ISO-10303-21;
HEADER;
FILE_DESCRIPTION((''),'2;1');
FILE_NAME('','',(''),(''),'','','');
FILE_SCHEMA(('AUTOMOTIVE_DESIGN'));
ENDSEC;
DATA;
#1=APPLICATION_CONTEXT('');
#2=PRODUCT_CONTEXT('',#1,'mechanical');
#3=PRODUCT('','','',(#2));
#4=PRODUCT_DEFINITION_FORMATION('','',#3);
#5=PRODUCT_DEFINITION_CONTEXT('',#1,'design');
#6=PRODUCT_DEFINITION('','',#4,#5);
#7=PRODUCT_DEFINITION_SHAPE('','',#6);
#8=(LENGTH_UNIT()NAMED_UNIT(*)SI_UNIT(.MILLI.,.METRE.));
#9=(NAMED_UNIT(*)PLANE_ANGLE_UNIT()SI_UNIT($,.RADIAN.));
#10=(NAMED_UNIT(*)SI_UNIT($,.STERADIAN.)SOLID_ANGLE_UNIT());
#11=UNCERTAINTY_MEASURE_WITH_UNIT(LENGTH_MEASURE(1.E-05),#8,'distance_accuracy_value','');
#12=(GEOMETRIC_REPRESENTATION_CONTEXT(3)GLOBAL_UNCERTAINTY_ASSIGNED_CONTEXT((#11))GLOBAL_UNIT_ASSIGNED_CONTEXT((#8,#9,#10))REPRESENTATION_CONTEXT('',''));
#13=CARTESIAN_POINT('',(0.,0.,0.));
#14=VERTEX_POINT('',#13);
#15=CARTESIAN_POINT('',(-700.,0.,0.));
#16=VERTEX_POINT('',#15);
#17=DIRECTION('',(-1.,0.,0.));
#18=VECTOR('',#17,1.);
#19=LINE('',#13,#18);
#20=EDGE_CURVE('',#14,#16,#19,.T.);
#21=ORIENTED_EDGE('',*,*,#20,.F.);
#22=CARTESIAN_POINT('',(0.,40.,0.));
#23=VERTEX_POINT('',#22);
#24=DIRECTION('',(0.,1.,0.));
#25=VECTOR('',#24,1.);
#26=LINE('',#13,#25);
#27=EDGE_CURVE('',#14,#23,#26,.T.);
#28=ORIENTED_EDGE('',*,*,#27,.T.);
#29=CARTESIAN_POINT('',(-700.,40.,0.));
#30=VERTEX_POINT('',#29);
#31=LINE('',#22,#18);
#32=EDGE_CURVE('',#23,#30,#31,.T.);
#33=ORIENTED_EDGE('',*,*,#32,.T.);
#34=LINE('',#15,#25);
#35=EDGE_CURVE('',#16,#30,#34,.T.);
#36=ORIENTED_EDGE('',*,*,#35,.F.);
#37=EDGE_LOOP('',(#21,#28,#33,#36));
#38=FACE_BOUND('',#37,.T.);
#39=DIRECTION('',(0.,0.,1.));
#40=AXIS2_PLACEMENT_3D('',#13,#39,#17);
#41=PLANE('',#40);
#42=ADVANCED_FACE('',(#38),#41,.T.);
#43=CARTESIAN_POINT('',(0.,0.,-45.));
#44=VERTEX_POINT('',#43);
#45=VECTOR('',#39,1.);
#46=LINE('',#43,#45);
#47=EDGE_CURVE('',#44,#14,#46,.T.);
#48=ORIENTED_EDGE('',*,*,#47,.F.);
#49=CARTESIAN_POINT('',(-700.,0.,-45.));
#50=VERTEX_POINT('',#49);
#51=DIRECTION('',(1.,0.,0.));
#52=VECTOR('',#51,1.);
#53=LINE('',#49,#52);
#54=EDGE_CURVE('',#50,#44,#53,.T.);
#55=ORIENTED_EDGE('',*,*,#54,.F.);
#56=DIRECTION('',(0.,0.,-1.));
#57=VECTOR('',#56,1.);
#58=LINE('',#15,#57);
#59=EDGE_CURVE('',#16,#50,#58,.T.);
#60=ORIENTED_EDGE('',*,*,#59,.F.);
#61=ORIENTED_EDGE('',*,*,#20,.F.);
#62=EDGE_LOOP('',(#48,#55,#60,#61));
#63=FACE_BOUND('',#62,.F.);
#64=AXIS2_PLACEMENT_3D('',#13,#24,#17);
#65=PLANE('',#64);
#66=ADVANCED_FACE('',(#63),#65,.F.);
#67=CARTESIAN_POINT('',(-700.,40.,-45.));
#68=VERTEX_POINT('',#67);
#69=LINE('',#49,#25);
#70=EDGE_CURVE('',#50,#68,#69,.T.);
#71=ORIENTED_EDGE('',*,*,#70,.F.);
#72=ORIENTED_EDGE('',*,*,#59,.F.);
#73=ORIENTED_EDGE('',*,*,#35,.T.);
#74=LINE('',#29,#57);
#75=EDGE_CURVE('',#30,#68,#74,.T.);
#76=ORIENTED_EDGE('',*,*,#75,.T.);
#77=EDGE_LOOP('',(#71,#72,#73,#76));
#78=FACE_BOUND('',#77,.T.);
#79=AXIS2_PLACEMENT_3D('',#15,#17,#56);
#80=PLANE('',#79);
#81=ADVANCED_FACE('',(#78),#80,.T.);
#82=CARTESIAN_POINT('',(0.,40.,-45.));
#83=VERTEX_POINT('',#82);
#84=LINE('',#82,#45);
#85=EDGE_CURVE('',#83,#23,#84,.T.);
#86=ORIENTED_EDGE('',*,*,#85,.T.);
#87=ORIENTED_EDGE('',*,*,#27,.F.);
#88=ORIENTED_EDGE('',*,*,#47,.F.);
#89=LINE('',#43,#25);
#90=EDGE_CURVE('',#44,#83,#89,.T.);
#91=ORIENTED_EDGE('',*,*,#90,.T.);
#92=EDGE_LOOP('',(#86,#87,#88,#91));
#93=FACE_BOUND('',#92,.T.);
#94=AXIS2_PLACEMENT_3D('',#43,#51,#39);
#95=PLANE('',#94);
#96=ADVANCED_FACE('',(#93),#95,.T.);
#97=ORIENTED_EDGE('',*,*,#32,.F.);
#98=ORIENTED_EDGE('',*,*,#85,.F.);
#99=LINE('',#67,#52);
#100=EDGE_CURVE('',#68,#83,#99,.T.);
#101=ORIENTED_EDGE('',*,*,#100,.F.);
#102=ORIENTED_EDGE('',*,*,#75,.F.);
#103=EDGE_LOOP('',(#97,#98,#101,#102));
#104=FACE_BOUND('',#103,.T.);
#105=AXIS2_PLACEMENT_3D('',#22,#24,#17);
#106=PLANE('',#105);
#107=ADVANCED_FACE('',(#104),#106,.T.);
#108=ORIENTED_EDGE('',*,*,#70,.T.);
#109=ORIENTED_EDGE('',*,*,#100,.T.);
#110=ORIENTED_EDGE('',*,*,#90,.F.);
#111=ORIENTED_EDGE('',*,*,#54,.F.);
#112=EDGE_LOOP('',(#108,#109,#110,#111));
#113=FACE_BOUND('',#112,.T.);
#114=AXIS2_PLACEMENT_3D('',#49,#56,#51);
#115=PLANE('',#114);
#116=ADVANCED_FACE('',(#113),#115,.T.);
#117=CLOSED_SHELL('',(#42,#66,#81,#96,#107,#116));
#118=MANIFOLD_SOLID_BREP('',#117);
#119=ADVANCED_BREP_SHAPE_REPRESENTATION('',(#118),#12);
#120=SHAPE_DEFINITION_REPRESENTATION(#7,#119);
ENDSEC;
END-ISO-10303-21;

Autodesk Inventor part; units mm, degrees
ref_plane "YZ Plane" through (0, 0, 0) normal (1, 0, 0) x (0, 1, 0)
ref_plane "XZ Plane" through (0, 0, 0) normal (0, 1, 0) x (-1, 0, 0)
ref_plane "XY Plane" through (0, 0, 0) normal (0, 0, 1) x (1, 0, 0)
sketch "Sketch1" plane through (0, 0, 0) normal (0, 1, 0) x (-1, 0, 0)
  line L0 (0, 0) -> (700, 0)
  line L1 (700, 0) -> (700, -45)
  line L2 (700, -45) -> (0, -45)
  line L3 (0, -45) -> (0, 0)
  dimension "d0" = 45
  dimension "d1" = 700
extrude "Extrusion1" add sketch "Sketch1" along normal blind 40
properties part number "Cable Snake"
